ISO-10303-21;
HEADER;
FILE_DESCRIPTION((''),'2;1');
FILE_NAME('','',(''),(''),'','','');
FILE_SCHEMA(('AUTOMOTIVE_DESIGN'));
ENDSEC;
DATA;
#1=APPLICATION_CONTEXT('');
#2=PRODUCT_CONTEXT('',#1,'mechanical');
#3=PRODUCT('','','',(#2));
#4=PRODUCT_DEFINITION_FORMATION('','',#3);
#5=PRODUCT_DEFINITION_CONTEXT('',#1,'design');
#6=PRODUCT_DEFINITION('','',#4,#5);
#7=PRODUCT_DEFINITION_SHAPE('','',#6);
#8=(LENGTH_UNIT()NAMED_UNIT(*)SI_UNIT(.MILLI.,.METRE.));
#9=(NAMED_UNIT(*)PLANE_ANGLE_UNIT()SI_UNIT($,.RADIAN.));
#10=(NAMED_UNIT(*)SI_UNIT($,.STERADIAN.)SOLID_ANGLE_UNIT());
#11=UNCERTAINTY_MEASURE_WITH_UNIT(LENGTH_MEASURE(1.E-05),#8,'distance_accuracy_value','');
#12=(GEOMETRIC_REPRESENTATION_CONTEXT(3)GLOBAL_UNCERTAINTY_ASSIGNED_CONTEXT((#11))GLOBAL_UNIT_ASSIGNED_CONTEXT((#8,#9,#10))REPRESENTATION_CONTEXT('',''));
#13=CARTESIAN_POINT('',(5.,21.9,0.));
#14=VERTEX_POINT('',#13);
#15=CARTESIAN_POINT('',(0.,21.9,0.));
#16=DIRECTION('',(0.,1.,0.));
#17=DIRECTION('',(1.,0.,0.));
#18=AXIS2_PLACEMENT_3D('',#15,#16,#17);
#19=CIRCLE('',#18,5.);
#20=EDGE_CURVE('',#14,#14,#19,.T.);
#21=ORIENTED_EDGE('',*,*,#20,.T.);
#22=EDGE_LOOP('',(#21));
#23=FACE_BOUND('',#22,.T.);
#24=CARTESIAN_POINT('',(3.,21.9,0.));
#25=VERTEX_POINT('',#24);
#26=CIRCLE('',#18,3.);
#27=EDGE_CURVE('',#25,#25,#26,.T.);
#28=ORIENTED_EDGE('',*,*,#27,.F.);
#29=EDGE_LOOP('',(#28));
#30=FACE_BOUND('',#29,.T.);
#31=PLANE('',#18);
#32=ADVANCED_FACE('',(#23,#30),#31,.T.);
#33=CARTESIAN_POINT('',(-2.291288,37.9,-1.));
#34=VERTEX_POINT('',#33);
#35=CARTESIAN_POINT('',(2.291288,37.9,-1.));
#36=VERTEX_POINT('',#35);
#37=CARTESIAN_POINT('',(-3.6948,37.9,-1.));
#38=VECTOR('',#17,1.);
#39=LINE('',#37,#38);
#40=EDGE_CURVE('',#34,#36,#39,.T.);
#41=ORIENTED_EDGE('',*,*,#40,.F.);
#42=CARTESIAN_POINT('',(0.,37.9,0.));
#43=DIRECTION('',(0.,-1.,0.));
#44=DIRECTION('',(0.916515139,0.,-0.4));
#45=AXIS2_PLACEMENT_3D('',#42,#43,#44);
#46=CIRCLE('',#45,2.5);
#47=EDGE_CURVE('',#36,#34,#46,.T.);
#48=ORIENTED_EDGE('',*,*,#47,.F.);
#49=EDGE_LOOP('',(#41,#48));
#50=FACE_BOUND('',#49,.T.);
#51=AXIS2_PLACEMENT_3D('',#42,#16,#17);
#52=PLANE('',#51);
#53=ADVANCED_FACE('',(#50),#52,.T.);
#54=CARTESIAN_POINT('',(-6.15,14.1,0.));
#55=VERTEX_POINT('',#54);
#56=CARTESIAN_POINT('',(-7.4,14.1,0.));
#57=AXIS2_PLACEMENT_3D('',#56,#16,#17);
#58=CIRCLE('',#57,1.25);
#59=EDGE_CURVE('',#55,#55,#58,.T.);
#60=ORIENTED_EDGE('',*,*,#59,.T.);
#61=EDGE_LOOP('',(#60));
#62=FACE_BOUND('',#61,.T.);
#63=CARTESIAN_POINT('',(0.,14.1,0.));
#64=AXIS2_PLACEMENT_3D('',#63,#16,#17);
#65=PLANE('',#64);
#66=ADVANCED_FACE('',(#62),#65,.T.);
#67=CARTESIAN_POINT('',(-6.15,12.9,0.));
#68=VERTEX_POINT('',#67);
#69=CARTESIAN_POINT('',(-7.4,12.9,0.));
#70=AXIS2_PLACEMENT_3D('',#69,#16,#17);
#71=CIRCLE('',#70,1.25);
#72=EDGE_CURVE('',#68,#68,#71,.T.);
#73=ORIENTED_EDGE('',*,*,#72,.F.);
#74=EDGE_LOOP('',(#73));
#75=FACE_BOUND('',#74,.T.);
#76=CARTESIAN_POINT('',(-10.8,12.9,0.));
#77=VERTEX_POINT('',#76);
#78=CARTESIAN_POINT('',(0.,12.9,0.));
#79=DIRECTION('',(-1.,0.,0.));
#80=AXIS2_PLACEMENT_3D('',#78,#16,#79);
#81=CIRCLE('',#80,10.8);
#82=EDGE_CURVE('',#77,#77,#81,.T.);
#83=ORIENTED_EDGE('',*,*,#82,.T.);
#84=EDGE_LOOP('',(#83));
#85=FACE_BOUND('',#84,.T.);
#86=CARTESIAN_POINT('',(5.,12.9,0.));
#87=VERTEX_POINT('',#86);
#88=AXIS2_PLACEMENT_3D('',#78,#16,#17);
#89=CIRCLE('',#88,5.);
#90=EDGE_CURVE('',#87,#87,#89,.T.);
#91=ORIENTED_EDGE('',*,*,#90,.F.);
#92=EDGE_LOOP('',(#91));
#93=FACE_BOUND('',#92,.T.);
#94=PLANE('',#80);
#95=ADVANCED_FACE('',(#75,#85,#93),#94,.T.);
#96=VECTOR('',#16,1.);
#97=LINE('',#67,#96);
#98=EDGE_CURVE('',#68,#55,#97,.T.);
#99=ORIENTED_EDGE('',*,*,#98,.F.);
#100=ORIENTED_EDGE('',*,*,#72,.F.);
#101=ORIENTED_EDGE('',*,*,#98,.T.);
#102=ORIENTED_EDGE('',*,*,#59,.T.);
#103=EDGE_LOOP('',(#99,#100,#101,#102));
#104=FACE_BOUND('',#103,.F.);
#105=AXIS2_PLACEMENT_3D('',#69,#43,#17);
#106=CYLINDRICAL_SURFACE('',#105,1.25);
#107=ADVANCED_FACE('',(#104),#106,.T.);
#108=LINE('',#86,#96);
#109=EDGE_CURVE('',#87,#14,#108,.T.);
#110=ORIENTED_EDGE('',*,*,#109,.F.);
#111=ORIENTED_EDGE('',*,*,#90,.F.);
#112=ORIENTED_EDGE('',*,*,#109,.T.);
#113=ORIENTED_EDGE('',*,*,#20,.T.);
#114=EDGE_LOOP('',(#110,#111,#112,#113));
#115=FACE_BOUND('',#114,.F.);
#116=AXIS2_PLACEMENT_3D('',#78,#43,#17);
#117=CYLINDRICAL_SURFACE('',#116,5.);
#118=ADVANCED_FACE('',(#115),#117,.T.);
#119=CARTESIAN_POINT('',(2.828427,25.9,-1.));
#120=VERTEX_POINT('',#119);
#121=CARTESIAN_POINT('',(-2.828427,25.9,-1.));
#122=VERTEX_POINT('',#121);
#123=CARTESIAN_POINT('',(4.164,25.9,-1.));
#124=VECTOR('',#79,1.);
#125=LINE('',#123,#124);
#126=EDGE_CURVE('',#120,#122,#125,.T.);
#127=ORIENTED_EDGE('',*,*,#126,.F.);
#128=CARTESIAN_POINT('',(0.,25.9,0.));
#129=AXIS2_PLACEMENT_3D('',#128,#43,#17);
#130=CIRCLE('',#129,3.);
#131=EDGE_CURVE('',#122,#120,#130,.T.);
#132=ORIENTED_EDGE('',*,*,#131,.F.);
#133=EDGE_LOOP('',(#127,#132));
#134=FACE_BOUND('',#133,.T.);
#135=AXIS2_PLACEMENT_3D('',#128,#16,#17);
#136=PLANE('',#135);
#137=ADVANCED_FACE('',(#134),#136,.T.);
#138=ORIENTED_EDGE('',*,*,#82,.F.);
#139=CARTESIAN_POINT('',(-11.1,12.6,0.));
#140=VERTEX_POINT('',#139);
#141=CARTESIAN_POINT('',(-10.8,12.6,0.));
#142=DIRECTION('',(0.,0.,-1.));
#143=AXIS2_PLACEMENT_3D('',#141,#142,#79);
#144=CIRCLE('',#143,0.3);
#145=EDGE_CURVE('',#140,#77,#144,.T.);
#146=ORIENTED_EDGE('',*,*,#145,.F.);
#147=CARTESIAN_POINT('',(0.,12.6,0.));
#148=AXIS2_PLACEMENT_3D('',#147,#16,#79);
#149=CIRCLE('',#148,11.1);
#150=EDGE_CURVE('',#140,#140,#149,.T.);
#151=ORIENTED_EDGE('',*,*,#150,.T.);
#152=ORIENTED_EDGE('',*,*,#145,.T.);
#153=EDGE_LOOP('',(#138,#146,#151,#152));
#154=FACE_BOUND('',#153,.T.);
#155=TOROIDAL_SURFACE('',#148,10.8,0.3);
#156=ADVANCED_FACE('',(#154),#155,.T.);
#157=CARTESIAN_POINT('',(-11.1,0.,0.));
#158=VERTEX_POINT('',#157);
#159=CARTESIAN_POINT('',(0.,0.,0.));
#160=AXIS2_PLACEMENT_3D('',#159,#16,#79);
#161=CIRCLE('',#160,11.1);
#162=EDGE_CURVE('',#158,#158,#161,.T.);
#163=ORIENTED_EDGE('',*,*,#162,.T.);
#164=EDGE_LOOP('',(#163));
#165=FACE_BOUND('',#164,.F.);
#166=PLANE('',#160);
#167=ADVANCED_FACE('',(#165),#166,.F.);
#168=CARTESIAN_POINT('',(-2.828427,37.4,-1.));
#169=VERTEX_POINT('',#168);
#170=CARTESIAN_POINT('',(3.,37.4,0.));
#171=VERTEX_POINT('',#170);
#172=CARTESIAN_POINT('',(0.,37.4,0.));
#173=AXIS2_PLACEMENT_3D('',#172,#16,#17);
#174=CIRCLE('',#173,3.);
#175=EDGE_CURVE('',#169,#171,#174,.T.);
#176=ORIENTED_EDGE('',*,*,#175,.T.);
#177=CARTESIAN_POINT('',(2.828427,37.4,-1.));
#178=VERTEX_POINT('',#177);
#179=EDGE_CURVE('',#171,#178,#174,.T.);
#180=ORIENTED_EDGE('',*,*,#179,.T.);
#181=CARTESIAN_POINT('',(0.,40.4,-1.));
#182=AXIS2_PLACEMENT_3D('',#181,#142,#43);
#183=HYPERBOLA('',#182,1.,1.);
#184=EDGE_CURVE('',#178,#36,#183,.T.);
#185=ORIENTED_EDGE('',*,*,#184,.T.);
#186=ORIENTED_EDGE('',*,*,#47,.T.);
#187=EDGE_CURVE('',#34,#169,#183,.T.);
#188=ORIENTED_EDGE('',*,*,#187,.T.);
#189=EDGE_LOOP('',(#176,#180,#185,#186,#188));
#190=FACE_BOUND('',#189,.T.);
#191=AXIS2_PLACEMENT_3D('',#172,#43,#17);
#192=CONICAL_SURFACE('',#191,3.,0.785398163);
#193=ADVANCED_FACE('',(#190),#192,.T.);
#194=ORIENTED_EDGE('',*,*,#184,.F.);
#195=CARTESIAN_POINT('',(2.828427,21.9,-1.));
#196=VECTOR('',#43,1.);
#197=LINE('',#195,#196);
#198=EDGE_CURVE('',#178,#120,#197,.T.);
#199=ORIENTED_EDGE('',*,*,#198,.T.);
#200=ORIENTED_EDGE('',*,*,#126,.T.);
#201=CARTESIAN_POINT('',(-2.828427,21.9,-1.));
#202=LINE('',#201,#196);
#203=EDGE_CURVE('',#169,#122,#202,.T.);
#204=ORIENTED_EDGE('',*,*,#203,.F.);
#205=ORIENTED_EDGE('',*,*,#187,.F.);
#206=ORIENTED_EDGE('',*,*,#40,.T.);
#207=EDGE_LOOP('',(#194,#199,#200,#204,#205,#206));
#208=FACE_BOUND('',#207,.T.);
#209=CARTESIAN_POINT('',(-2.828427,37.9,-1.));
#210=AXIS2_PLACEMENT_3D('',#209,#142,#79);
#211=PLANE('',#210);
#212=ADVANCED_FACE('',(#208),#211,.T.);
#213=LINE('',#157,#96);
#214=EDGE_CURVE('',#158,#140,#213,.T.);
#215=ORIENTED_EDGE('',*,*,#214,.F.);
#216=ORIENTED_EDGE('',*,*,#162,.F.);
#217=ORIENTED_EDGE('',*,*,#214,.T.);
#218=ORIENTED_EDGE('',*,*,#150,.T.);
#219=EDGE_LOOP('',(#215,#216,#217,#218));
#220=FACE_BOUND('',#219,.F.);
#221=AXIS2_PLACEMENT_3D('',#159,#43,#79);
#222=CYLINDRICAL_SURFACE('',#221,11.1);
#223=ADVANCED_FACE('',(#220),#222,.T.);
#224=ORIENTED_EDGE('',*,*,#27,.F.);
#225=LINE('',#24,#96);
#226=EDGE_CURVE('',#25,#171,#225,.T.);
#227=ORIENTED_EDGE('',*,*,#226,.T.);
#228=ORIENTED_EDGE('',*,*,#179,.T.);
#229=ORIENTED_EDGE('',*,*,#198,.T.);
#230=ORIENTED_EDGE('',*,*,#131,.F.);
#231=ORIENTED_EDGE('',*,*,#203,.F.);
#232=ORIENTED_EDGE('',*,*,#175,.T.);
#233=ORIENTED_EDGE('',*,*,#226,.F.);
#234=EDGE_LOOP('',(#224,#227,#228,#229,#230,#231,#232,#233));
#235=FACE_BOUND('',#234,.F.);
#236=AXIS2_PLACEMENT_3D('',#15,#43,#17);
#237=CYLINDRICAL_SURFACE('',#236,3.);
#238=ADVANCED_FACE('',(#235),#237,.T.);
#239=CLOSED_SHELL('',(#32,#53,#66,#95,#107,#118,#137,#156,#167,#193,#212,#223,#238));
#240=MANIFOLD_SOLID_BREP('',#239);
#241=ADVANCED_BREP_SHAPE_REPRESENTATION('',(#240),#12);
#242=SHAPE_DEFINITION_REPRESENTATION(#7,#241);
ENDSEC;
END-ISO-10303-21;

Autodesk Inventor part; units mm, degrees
ref_plane "YZ Plane" through (0, 0, 0) normal (1, 0, 0) x (0, 1, 0)
ref_plane "XZ Plane" through (0, 0, 0) normal (0, 1, 0) x (-1, 0, 0)
ref_plane "XY Plane" through (0, 0, 0) normal (0, 0, 1) x (1, 0, 0)
sketch "Sketch1" plane through (0, 0, 0) normal (0, 1, 0) x (-1, 0, 0)
  circle A0 centre (0, 0) radius 11.1
  dimension "d0" = 22.2
extrude "Extrusion1" add sketch "Sketch1" along normal blind 12.9
fillet "Fillet1" radius 0.3 1 edges at (11.1, 12.9, 0)
sketch "Sketch2" plane through (0, 12.9, 0) normal (0, 1, 0) x (1, 0, 0)
  circle A0 centre (0, 0) radius 5
  dimension "d4" = 10
extrude "Extrusion2" add sketch "Sketch2" along normal blind 9
sketch "Sketch3" plane through (0, 21.9, 0) normal (0, 1, 0) x (1, 0, 0)
  circle A0 centre (0, 0) radius 3
  dimension "d9" = 6
extrude "Extrusion3" add sketch "Sketch3" along normal blind 16
sketch "Sketch4" plane through (0, 12.9, 0) normal (0, 1, 0) x (1, 0, 0)
  circle A0 centre (-7.4, 0) radius 1.25
  circle A1 centre (0, 0) radius 3 projected
  circle A2 centre (0, 0) radius 5 projected
  dimension "d12" = 2.5
  dimension "d13" = 7.4
  dimension "d14" = 0
extrude "Extrusion4" add sketch "Sketch4" along normal blind 1.2 contours A0
chamfer "Chamfer1" distance 0.5 angle 45 1 edges at (-3, 37.9, 0)
sketch "Sketch5" plane through (0, 37.9, 0) normal (0, 1, 0) x (1, 0, 0)
  line L0 (-3.6948, 5.5128) -> (4.164, 5.5128)
  line L1 (4.164, 5.5128) -> (4.164, 1)
  line L2 (4.164, 1) -> (-3.6948, 1)
  line L3 (-3.6948, 1) -> (-3.6948, 5.5128)
  circle A0 centre (0, 0) radius 3 projected
  dimension "d20" = 4
extrude "Extrusion5" cut sketch "Sketch5" against normal blind 12 contours L0 L1 L2 A0 L3 | A0 L2 picked at (0.6732, 1.4061)
properties part number "PotSensor"
